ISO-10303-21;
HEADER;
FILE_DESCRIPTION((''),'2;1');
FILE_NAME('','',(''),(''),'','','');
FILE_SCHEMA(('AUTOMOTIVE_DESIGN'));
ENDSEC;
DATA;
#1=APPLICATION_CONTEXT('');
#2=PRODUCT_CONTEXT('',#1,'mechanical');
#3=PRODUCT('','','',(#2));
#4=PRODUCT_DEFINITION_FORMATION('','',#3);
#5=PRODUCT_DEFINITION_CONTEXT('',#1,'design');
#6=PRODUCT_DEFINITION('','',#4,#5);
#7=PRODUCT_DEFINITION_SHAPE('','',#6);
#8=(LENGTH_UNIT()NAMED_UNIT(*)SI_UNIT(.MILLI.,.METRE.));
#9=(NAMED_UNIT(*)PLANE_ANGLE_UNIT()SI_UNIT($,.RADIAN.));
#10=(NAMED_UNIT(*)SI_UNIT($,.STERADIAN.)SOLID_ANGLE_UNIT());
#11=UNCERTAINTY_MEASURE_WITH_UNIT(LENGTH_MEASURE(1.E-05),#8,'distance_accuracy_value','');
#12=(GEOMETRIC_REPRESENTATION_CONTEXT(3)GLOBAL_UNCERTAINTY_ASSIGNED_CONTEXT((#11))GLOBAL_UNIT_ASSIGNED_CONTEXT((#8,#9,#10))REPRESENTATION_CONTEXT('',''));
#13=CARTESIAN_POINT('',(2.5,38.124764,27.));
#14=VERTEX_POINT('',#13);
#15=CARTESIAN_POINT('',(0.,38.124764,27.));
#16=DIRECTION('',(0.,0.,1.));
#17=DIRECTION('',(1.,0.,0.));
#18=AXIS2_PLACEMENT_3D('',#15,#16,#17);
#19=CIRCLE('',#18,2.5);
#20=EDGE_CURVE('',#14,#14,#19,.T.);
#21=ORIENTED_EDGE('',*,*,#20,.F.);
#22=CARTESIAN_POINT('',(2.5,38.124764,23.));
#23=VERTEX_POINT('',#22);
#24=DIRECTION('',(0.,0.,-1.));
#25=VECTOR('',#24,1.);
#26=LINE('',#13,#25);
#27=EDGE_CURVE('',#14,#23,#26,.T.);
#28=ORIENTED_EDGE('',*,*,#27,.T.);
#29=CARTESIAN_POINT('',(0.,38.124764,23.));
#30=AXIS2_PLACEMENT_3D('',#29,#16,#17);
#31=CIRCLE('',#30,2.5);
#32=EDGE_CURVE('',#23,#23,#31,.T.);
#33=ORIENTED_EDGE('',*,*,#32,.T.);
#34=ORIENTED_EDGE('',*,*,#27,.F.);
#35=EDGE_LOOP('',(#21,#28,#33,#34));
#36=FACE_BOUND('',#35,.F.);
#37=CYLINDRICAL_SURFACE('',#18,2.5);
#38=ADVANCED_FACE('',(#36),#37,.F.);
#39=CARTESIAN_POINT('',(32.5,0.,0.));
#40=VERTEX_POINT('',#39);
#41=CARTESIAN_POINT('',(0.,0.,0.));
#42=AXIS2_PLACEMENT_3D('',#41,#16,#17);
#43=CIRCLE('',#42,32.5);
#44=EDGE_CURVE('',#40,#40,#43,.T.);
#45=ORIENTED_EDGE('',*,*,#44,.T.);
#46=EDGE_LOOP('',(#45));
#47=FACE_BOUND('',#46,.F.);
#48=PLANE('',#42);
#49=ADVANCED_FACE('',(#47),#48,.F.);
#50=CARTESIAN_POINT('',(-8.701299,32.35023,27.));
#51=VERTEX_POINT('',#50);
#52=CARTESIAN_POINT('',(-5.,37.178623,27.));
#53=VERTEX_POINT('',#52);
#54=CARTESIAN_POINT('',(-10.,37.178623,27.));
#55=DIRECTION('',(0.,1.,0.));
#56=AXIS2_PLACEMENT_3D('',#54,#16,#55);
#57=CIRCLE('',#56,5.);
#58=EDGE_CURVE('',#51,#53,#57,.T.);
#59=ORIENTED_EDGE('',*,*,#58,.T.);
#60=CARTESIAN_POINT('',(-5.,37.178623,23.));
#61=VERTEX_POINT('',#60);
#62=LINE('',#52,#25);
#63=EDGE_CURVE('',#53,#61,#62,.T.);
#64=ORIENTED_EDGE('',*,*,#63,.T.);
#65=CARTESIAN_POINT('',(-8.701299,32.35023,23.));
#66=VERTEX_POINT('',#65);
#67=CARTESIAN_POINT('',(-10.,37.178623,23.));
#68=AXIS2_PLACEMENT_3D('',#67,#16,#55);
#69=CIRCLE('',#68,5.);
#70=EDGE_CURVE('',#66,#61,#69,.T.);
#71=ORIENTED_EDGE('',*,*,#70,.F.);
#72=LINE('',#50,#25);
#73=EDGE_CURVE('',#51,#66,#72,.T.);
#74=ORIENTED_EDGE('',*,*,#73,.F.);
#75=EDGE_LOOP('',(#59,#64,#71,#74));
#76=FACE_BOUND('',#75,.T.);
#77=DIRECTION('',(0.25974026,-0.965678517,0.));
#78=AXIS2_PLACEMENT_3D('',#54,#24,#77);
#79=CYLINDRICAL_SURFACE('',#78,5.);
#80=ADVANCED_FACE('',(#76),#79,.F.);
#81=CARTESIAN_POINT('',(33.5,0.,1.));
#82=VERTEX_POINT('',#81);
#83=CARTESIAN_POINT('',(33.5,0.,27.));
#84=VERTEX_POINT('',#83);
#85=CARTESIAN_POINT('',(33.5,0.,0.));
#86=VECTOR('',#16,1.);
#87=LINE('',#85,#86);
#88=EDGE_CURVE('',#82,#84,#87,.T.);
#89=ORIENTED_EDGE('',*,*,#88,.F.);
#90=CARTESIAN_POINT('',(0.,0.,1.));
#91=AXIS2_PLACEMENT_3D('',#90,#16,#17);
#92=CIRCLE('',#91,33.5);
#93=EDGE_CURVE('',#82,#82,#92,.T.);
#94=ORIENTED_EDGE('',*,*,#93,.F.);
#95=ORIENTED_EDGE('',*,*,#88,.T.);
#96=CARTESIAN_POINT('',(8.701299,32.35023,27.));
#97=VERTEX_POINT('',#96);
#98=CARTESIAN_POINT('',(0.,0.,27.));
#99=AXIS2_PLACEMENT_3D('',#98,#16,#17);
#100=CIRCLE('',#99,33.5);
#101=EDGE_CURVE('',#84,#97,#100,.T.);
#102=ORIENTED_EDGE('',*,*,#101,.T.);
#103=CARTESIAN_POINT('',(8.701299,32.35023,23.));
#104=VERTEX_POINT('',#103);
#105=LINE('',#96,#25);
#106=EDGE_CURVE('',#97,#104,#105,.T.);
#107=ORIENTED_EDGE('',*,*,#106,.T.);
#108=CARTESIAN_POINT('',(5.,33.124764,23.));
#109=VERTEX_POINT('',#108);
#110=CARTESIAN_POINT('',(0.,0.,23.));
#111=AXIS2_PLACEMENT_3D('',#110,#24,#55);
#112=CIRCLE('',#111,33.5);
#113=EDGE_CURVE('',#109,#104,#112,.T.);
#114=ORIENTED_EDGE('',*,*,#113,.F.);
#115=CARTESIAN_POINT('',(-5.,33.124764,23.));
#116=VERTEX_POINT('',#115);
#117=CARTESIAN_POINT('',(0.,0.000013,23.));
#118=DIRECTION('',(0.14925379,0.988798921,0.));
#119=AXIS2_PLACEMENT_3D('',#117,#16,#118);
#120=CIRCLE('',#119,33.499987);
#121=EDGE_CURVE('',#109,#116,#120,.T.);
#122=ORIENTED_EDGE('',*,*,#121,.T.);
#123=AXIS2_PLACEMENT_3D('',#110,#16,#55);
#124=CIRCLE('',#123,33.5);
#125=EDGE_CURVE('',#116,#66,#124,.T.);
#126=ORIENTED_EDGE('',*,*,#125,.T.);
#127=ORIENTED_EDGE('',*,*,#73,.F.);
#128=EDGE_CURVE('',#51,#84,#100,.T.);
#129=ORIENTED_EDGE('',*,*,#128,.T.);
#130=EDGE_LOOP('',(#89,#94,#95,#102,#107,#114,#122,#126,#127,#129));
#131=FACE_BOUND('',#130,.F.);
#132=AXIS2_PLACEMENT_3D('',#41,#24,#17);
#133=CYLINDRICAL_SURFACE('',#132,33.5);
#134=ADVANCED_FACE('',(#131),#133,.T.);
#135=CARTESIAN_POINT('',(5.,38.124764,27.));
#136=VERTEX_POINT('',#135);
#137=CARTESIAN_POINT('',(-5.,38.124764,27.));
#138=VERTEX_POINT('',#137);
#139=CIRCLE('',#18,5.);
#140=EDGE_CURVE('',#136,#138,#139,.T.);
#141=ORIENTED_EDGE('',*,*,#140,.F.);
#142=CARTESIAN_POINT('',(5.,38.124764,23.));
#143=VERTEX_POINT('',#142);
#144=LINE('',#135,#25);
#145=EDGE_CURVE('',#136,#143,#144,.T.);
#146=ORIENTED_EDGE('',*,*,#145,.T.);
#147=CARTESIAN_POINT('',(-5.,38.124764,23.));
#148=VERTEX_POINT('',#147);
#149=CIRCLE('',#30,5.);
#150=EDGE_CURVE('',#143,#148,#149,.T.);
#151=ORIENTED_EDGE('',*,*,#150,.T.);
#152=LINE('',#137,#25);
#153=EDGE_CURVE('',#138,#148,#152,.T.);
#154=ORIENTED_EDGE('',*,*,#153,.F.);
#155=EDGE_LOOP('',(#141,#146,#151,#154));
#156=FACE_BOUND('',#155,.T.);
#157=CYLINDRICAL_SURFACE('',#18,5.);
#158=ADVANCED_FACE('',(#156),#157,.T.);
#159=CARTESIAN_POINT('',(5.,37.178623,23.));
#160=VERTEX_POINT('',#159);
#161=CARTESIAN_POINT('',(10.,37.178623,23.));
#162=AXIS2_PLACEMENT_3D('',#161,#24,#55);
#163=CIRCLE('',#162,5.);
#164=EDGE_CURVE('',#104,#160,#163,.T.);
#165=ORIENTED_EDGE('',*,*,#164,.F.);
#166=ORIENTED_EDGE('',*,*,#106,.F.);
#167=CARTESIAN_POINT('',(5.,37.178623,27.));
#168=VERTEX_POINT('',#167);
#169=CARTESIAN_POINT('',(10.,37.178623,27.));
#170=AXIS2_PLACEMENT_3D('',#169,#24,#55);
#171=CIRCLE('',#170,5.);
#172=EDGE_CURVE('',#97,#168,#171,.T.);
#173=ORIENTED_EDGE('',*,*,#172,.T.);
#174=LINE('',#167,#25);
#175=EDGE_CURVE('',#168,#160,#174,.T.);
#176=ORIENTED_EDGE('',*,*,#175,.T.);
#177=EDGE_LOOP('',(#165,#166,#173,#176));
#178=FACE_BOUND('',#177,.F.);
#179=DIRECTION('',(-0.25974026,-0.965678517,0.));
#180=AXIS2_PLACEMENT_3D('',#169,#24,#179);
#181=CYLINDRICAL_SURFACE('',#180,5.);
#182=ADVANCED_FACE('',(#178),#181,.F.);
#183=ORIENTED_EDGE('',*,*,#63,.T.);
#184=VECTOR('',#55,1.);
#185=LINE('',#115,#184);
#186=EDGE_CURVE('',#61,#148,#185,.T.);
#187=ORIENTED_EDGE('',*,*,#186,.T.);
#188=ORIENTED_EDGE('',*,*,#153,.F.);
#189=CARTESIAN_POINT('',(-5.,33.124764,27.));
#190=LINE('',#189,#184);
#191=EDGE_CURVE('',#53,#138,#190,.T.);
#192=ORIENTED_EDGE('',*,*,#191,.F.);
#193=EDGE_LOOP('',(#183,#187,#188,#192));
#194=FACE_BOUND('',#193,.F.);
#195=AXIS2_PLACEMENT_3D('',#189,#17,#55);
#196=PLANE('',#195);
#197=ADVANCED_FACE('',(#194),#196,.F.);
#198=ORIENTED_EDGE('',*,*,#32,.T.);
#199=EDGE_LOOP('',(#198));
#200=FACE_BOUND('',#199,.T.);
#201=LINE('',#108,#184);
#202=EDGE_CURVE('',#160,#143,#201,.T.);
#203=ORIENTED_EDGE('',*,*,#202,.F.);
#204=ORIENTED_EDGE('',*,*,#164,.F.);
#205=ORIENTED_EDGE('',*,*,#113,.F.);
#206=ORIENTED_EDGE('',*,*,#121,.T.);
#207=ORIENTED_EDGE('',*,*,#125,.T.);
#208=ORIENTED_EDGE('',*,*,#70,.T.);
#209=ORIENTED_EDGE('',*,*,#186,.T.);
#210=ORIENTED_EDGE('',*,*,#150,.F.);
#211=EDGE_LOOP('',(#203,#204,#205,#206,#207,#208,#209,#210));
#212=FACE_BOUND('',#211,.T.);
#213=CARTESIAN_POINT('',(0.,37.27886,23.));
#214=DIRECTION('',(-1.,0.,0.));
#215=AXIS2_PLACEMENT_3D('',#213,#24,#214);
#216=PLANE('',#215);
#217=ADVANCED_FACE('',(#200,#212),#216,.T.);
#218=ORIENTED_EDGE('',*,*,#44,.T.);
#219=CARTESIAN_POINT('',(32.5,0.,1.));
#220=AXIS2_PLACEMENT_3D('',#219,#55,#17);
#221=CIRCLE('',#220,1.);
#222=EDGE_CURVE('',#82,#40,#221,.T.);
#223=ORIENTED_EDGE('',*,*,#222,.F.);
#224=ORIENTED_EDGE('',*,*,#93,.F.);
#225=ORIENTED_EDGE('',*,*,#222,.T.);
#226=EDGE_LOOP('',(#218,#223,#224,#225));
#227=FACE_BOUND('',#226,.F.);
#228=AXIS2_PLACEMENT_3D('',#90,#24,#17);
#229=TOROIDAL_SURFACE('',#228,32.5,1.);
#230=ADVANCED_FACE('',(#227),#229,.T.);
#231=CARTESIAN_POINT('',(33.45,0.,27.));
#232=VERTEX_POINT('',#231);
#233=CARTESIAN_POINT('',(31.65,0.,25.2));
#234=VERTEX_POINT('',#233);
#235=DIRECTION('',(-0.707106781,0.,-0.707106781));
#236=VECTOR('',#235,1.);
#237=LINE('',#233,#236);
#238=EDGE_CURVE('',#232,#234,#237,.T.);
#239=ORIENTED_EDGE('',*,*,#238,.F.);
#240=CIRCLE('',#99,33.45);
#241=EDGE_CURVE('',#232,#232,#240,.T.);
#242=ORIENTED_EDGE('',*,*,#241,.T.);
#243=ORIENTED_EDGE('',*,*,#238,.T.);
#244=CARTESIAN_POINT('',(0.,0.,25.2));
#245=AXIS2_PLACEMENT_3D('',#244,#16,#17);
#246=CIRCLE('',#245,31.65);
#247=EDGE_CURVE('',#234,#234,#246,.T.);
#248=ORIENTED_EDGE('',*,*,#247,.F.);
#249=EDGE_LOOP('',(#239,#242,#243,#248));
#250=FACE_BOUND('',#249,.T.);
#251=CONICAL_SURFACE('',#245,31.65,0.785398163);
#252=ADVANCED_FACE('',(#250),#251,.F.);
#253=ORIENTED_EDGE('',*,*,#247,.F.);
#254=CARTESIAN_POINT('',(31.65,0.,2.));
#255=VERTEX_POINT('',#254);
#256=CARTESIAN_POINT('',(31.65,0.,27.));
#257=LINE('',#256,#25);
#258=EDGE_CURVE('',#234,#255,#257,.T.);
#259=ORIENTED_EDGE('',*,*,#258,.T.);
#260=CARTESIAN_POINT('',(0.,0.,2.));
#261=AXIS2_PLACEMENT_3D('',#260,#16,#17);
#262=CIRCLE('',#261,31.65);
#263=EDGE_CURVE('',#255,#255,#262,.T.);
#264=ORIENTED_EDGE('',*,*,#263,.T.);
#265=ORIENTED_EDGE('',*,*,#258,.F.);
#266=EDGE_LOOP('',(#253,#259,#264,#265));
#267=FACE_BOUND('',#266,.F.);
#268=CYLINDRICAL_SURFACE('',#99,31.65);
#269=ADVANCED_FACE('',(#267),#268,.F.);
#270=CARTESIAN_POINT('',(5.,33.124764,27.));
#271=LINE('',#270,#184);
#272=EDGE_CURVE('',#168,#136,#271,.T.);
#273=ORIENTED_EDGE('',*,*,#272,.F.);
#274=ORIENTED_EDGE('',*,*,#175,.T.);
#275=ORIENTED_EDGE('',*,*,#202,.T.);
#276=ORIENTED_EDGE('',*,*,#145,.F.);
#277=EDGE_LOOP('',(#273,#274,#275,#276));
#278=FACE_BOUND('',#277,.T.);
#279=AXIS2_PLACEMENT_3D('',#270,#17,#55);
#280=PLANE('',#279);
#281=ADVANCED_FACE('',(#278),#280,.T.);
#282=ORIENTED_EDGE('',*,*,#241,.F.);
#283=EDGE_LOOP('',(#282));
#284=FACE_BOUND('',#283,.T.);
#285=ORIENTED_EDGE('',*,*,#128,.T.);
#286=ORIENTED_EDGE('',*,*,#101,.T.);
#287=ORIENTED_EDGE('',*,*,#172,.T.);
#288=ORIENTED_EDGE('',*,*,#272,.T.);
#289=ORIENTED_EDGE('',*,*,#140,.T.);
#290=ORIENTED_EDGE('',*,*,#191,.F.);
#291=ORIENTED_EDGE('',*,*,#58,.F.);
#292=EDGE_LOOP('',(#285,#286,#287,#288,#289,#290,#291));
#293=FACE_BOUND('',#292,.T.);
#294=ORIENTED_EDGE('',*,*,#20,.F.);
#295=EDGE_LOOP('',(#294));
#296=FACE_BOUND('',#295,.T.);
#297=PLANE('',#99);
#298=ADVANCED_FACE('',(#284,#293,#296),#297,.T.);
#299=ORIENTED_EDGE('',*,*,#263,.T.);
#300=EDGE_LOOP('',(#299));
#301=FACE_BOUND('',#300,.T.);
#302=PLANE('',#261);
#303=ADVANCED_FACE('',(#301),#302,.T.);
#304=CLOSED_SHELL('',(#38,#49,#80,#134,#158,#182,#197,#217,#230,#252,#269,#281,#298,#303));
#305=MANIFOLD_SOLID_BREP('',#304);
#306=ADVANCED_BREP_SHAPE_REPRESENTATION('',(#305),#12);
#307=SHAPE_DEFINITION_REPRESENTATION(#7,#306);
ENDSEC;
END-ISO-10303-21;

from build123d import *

# Parameters (mm, degrees)
SKETCH_R     = 33.5
PAD_DEPTH    = 27
SKETCH001_R  = 31.65
POCKET_DEPTH = 25
FILLET_R     = 1
CHAMFER_SIZE = 1.8
SKETCH002_R  = 2.5
PAD001_DEPTH = 4
FILLET001_R  = 5
FILLET002_R  = 5


with BuildPart() as part:
    # Sketch → Pad (new body)
    with BuildSketch(Plane.XY):
        Circle(SKETCH_R)
    extrude(amount=PAD_DEPTH)

    # Sketch001 (on Face3 of Pad) → Pocket (cut)
    with BuildSketch(Plane.XY.offset(27)):
        Circle(SKETCH001_R)
    extrude(amount=-POCKET_DEPTH, mode=Mode.SUBTRACT)

    # Fillet
    fillet_edges = [part.edges().sort_by_distance(p)[0] for p in [
        (-33.5, 0, 0),
    ]]
    fillet(fillet_edges, radius=FILLET_R)

    # Chamfer
    chamfer_edges = [part.edges().sort_by_distance(p)[0] for p in [
        (-31.65, 0, 27),
    ]]
    chamfer(chamfer_edges, length=CHAMFER_SIZE)

    # Sketch002 (on Face1 of Chamfer) → Pad001 (join)
    with BuildSketch(Plane.XY.offset(27)):
        with BuildLine():
            Line((-5, 33.124764), (-5, 38.124764))
            ThreePointArc((5, 38.124764), (0, 43.124764), (-5, 38.124764))
            Line((5, 33.124764), (5, 38.124764))
            ThreePointArc((5, 33.124764), (0, 33.5), (-5, 33.124764))
        make_face()
        with Locations((0, 38.124764)):
            Circle(SKETCH002_R, mode=Mode.SUBTRACT)
    extrude(amount=-PAD001_DEPTH)

    # Fillet001
    fillet001_edges = [part.edges().sort_by_distance(p)[0] for p in [
        (-5, 33.124764, 25),
    ]]
    fillet(fillet001_edges, radius=FILLET001_R)

    # Fillet002
    fillet002_edges = [part.edges().sort_by_distance(p)[0] for p in [
        (5, 33.124764, 25),
    ]]
    fillet(fillet002_edges, radius=FILLET002_R)


solid = part.part
